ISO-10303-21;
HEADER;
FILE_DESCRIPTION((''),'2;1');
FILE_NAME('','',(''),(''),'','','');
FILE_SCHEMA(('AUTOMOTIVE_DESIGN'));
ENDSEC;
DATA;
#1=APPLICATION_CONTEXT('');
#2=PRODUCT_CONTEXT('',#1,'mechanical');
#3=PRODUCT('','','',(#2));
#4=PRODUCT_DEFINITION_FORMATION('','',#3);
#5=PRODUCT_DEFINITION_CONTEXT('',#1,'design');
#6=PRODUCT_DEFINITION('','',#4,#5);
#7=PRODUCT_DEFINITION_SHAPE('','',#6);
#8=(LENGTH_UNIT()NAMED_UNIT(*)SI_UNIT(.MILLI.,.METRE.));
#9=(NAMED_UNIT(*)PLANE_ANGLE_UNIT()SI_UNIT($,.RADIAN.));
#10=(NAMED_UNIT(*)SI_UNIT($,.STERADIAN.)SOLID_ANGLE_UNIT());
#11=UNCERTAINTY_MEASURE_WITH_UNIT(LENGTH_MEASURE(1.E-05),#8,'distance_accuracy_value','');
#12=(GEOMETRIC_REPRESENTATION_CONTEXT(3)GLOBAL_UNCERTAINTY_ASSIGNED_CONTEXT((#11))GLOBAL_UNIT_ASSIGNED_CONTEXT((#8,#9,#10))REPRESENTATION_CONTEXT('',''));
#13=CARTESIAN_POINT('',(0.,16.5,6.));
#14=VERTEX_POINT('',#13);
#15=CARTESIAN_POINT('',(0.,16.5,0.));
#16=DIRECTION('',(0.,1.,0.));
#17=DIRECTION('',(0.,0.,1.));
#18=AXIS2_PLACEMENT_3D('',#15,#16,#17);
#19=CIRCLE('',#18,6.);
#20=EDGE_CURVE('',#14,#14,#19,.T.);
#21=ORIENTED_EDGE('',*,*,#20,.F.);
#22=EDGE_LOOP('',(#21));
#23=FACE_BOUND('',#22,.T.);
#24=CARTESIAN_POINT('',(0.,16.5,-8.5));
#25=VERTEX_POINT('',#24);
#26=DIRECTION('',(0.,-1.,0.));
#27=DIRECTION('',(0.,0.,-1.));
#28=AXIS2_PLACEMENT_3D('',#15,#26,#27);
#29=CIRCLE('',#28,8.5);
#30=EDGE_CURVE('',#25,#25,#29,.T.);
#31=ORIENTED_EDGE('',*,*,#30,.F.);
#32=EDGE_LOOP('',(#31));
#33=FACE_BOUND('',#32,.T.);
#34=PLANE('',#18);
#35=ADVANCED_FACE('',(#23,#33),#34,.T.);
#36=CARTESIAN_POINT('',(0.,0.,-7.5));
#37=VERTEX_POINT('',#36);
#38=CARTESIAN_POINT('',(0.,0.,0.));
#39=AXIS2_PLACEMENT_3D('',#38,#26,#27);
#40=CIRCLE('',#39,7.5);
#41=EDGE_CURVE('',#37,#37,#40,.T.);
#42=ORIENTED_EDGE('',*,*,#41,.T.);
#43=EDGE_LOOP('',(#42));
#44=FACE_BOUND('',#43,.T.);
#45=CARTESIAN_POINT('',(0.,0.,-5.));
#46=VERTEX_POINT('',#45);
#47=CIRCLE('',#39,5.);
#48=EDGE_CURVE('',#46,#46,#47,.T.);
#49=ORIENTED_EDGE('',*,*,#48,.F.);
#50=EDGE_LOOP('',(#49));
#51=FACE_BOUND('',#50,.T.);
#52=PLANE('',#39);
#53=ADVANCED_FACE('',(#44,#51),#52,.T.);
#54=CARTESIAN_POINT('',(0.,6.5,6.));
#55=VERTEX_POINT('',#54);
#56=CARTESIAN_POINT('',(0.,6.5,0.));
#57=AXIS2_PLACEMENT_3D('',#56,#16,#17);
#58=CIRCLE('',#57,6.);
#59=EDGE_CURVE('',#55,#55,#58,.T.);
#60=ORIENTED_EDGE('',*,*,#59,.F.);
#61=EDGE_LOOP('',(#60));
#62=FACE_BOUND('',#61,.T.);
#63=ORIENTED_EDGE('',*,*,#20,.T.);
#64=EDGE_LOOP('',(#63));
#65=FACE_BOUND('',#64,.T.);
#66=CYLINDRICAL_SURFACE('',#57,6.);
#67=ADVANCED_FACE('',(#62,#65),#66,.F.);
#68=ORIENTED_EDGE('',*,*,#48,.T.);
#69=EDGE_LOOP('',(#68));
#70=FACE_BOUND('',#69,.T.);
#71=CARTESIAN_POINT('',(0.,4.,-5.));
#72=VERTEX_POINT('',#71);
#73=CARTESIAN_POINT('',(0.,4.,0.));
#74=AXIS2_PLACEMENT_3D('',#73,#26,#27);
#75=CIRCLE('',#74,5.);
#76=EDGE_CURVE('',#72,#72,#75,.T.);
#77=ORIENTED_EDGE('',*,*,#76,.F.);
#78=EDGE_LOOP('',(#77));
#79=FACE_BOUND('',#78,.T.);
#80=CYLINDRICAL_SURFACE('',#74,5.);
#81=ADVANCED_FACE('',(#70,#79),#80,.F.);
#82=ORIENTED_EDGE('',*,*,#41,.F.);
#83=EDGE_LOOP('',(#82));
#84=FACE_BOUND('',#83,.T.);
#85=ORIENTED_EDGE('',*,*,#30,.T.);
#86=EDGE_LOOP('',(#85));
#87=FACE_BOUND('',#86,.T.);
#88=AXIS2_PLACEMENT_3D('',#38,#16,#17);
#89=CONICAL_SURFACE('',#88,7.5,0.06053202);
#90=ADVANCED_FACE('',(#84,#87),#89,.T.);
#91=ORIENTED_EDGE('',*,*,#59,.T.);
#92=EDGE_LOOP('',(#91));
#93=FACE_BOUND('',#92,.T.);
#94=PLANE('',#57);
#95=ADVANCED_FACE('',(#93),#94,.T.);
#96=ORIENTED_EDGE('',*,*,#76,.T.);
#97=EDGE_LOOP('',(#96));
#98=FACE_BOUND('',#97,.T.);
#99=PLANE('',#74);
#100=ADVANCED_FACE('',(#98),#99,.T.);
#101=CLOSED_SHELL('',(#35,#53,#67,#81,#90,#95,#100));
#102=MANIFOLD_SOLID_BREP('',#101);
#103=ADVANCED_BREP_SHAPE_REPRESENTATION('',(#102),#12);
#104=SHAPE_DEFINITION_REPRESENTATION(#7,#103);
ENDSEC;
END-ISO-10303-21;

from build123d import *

# Parameters (mm, degrees)
ESBO_O2_R             = 6
CORTE_EXTRUS_O1_DEPTH = 10
ESBO_O3_R             = 5
CORTE_EXTRUS_O2_DEPTH = 4


with BuildPart() as part:
    # Esboço1 → Revolução1 (revolve)
    with BuildSketch(Plane.XY):
        Polygon((0, 0), (0, 16.5), (8.5, 16.5), (7.5, 0), align=None)
    revolve(axis=Axis((0, 0, 0), (0, 1, 0)))

    # Esboço2 → Corte-extrusão1 (cut)
    with BuildSketch(Plane(origin=(0, 16.5, 0), x_dir=(1, 0, 0), z_dir=(0, 1, 0))):
        Circle(ESBO_O2_R)
    extrude(amount=-CORTE_EXTRUS_O1_DEPTH, mode=Mode.SUBTRACT)

    # Esboço3 → Corte-extrusão2 (cut)
    with BuildSketch(Plane.XZ):
        Circle(ESBO_O3_R)
    extrude(amount=-CORTE_EXTRUS_O2_DEPTH, mode=Mode.SUBTRACT)


solid = part.part
